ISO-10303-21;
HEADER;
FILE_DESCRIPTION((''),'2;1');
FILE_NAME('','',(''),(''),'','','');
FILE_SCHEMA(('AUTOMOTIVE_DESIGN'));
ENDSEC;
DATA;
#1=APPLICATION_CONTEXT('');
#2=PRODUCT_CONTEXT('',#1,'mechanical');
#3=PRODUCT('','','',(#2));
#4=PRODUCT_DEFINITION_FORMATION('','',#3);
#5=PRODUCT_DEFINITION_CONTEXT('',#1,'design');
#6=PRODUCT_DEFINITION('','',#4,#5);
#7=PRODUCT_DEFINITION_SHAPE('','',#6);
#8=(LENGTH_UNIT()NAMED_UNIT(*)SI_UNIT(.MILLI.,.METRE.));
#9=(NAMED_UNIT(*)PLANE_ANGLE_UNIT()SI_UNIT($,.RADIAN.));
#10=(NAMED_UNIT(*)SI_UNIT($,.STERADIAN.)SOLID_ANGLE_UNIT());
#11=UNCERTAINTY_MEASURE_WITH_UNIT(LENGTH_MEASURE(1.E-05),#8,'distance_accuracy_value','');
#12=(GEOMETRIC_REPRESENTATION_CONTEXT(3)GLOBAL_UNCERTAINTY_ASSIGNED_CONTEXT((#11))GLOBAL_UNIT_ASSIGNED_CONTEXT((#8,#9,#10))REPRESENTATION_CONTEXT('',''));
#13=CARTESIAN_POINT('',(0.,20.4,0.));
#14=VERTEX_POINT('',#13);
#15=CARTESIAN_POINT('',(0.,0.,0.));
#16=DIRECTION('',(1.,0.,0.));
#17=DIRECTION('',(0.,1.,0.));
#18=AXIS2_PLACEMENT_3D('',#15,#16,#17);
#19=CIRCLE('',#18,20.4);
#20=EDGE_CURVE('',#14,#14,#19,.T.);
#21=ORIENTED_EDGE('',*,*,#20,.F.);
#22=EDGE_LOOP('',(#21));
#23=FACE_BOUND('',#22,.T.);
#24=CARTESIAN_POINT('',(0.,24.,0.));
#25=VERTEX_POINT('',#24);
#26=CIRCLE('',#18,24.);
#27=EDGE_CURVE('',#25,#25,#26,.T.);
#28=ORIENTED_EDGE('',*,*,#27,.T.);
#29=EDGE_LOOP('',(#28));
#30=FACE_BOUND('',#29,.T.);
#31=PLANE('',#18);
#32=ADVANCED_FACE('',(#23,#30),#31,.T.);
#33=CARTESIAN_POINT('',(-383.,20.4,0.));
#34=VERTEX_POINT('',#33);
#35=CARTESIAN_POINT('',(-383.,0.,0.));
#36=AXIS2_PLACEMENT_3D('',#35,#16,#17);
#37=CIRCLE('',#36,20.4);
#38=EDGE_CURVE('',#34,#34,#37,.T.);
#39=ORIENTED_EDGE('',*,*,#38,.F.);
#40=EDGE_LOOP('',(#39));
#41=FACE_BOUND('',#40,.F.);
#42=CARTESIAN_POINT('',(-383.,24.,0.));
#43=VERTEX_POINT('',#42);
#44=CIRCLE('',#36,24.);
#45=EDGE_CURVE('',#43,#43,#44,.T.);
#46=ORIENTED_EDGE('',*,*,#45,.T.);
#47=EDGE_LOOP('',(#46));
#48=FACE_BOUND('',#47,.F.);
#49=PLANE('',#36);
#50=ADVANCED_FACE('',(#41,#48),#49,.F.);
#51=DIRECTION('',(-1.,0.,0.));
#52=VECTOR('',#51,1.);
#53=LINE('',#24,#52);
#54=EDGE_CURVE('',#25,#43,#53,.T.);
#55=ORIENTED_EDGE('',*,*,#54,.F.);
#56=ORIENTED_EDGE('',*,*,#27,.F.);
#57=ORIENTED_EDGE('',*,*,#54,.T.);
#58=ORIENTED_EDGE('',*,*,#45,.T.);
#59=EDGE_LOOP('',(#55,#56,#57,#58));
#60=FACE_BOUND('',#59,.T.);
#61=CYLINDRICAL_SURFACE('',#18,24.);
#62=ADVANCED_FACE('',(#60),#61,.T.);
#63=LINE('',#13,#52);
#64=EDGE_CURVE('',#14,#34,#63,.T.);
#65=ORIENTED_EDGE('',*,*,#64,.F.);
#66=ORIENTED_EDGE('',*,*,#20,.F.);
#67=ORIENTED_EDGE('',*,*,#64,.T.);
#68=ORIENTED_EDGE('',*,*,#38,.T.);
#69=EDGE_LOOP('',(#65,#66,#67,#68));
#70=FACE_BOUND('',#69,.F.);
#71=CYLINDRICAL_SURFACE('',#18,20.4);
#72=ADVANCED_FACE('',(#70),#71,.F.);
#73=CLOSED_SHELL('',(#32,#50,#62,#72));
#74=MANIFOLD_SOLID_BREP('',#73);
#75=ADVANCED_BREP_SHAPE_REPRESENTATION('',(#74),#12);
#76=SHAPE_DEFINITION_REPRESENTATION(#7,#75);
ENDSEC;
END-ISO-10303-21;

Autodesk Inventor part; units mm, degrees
ref_plane "YZ Plane" through (0, 0, 0) normal (1, 0, 0) x (0, 1, 0)
ref_plane "XZ Plane" through (0, 0, 0) normal (0, 1, 0) x (-1, 0, 0)
ref_plane "XY Plane" through (0, 0, 0) normal (0, 0, 1) x (1, 0, 0)
sketch "Sketch1" plane through (0, 0, 0) normal (1, 0, 0) x (0, 1, 0)
  circle A0 centre (0, 0) radius 24
  circle A1 centre (0, 0) radius 20.4
  dimension "d0" = 48
  dimension "d1" = 40.8
extrude "Extrusion1" add sketch "Sketch1" against normal blind 383
equation "\"d0\" = OD"
equation "\"d1\" = OD - 2 * t"
equation "\"d2\" = L"
equation "\"OD\" = 48"
equation "\"t\" = 3.6"
equation "\"L\" = PL"
equation "\"ID\" = 40.8"
equation "\"PL\" = 383"
equation "\"Size_Designation\" = 1.2345"
properties material "PVC, Unplasticized"
